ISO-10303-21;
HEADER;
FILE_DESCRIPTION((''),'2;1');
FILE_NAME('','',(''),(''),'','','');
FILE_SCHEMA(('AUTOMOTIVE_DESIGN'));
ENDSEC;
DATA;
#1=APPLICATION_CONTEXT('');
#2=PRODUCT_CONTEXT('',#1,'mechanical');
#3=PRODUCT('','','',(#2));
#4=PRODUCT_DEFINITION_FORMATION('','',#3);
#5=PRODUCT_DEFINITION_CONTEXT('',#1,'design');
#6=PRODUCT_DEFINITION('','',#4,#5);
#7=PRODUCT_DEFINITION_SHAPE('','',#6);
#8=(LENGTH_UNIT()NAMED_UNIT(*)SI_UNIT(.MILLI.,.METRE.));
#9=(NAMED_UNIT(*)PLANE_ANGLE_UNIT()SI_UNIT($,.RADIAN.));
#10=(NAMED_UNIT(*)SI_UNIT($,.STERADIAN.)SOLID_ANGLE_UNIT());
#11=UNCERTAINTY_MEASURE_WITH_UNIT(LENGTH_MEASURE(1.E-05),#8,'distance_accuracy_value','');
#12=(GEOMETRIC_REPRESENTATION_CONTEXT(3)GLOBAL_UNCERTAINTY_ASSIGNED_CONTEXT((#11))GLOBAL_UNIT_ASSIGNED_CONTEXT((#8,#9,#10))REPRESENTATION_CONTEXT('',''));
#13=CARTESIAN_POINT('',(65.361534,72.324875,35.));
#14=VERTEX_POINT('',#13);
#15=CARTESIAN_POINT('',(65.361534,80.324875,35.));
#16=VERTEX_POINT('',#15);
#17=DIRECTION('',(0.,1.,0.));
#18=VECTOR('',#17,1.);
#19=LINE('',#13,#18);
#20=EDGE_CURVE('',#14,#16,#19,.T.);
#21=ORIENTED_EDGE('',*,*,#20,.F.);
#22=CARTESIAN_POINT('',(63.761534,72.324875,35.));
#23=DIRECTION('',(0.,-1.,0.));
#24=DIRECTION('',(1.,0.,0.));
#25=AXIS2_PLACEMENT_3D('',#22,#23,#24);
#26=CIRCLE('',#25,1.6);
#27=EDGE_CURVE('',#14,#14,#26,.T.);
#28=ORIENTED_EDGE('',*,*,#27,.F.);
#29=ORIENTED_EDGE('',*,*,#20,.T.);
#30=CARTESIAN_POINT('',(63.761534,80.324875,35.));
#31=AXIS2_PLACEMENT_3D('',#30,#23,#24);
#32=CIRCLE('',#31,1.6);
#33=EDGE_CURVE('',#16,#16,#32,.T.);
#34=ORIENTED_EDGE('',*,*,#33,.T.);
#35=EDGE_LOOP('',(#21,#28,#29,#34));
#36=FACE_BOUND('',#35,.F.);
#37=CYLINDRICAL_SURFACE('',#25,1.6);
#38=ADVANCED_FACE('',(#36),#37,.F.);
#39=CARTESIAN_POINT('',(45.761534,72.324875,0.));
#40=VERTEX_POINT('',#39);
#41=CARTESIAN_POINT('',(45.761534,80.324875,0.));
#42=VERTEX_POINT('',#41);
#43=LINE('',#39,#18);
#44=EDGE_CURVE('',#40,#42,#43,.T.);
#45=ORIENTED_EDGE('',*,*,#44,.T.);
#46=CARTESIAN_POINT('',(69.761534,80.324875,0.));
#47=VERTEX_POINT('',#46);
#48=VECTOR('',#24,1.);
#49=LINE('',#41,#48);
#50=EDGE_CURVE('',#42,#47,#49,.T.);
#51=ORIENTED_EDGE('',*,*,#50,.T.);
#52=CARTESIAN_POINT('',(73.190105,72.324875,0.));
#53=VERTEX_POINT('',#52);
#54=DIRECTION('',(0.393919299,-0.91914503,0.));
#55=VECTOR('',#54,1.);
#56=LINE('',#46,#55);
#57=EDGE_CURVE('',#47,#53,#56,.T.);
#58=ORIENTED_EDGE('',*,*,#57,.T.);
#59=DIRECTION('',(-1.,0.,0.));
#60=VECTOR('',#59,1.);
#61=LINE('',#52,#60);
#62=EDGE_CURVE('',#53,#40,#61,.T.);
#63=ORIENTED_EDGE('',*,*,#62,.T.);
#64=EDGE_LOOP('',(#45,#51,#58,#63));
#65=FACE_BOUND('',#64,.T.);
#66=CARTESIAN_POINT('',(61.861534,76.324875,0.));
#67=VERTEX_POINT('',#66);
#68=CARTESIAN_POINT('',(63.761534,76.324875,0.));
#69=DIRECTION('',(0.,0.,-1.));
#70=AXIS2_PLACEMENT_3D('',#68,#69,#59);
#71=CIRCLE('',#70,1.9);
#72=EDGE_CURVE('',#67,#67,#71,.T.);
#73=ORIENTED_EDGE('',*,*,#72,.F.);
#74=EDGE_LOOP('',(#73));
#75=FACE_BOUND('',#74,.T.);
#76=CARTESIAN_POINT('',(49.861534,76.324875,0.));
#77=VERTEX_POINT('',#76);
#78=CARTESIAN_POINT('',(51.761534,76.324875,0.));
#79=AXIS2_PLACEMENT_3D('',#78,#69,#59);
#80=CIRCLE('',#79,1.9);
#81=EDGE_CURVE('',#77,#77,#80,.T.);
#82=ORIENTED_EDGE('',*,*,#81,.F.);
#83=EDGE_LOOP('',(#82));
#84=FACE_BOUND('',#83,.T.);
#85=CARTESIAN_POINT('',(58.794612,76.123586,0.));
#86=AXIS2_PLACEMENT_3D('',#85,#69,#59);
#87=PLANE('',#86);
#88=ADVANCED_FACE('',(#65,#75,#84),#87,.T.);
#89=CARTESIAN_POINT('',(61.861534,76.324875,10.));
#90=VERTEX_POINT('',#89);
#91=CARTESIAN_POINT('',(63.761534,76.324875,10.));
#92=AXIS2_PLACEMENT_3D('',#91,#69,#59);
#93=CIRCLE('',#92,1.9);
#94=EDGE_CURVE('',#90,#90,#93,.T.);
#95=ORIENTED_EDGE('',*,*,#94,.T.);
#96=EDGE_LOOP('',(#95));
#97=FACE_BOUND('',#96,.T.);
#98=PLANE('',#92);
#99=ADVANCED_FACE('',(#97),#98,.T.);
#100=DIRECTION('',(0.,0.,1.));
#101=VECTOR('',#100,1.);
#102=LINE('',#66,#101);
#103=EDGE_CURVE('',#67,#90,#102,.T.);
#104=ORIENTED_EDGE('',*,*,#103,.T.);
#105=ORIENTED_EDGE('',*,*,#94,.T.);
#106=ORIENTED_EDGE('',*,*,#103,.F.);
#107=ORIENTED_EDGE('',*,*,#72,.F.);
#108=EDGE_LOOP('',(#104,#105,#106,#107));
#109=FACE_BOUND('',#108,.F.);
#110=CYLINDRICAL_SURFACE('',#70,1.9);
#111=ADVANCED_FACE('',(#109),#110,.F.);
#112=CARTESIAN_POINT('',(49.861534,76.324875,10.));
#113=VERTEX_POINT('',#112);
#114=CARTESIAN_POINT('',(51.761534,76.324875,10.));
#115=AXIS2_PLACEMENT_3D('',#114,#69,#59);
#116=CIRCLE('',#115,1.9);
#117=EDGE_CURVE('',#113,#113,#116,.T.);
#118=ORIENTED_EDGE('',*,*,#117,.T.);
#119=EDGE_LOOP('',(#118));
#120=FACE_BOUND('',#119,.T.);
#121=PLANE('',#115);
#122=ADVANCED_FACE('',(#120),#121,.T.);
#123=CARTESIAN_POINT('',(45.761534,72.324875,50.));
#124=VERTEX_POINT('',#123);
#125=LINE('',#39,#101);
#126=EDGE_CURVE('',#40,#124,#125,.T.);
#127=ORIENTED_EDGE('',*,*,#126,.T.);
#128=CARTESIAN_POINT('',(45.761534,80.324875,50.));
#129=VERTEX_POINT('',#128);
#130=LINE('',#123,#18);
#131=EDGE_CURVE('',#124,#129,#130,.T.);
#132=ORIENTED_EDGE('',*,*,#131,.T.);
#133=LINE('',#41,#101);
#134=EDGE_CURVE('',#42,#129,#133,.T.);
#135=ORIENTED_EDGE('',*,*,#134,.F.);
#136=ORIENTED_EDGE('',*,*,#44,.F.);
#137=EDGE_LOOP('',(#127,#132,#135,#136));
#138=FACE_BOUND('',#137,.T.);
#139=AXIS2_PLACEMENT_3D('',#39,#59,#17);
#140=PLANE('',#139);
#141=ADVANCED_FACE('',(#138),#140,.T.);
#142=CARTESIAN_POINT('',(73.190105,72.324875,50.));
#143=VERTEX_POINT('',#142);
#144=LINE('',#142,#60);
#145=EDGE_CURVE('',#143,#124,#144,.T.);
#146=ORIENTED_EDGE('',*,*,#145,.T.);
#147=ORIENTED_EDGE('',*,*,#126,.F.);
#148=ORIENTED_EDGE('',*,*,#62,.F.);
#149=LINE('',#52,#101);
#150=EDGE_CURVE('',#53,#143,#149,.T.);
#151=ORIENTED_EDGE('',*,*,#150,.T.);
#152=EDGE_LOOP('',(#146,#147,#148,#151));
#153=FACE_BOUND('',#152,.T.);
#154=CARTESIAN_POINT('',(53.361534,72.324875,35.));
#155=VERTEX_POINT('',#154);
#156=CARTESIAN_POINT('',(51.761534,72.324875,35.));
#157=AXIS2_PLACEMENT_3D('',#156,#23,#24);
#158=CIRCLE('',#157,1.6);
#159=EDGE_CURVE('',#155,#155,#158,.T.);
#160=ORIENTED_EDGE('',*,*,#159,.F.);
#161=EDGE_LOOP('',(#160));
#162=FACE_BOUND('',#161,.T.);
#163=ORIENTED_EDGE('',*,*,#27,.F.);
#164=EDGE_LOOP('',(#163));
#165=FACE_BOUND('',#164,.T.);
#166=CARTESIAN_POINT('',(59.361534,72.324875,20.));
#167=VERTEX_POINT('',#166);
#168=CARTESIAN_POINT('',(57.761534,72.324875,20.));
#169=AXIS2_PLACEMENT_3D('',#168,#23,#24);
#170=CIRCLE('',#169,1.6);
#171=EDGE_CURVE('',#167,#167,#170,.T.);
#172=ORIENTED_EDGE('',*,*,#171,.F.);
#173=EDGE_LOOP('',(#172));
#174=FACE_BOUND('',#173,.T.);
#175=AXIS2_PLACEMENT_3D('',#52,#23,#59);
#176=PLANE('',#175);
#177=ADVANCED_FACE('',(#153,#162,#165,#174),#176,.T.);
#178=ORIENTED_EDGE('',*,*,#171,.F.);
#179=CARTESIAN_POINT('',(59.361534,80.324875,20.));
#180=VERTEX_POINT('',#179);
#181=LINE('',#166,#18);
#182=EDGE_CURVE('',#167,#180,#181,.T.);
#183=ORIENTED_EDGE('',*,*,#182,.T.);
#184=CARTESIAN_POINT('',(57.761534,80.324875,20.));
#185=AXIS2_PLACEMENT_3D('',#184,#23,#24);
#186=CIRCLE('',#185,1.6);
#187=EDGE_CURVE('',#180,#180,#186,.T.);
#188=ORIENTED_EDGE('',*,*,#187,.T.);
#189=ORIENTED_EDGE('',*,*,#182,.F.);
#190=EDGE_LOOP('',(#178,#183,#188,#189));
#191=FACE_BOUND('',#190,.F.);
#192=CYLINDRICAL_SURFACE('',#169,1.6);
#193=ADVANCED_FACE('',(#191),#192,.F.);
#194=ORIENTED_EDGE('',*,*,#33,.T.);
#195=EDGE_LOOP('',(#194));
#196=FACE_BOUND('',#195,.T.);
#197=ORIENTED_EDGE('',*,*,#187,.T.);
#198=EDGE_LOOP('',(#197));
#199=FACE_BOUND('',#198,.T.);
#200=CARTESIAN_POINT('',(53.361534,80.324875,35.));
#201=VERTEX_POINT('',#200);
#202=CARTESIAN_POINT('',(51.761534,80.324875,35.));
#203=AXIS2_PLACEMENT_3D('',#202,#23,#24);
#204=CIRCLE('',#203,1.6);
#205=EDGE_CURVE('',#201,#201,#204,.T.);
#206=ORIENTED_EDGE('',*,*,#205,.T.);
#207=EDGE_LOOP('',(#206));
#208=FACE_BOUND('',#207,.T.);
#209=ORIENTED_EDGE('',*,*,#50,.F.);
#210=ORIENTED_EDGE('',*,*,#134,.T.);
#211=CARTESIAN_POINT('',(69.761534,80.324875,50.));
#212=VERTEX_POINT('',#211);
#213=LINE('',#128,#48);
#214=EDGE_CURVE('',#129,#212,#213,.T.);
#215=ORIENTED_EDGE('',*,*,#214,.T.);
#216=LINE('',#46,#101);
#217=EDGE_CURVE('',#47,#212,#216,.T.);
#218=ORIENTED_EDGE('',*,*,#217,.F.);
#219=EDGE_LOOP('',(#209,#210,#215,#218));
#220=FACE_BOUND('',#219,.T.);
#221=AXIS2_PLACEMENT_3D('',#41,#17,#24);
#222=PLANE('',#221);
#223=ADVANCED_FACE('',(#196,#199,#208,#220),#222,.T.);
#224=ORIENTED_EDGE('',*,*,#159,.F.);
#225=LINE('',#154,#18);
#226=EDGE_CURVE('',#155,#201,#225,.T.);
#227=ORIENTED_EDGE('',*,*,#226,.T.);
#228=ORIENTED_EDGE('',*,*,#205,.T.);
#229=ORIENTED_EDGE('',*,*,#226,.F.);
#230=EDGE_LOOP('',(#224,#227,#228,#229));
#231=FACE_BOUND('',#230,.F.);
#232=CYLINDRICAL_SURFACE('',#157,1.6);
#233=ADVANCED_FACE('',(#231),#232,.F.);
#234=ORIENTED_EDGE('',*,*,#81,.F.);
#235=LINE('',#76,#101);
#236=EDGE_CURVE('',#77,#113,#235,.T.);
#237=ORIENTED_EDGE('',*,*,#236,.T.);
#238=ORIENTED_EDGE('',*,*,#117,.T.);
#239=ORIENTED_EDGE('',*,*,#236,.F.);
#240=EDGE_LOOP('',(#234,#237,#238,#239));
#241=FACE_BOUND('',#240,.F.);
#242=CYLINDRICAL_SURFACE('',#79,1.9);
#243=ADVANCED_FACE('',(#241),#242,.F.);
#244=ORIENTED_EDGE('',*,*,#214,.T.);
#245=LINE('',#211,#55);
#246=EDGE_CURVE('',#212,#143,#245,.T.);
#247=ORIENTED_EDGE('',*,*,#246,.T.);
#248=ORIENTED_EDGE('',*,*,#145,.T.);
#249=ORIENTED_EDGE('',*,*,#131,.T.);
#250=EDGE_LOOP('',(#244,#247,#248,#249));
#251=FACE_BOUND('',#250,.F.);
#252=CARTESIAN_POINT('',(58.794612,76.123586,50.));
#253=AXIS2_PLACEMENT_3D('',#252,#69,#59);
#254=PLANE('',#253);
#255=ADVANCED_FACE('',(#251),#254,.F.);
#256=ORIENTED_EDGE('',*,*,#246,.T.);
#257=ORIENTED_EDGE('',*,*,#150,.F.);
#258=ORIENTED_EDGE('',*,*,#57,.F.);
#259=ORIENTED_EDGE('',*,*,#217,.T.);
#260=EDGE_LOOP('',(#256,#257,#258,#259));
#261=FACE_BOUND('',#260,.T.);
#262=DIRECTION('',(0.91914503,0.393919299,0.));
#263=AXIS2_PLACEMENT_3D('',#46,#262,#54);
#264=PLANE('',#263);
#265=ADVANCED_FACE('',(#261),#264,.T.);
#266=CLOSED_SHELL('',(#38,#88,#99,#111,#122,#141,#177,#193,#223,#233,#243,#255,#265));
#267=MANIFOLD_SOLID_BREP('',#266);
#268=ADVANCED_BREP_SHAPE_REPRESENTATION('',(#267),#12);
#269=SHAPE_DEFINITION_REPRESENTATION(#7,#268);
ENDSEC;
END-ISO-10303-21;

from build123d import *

# Parameters (mm, degrees)
SALIENTE_EXTRUIR1_DEPTH = 50
CORTAR_EXTRUIR1_REACH   = 10
CROQUIS3_R              = 1.6
CROQUIS6_R              = 1.9
CORTAR_EXTRUIR3_DEPTH   = 10


with BuildPart() as part:
    # Croquis1 → Saliente-Extruir1 (new body)
    with BuildSketch(Plane.XY):
        Polygon((45.761533754, 80.324875029), (69.761533754, 80.324875029), (73.190105182, 72.324875029), (45.761533754, 72.324875029), align=None)
    extrude(amount=SALIENTE_EXTRUIR1_DEPTH)

    # Croquis3 → Cortar-Extruir1 (cut, up to next)
    with BuildSketch(Plane.XZ.offset(-72.324875029), mode=Mode.PRIVATE) as cortar_extruir1_sk1:
        with Locations((63.761533754, 35)):
            Circle(CROQUIS3_R)
    cortar_extruir1_tool1 = extrude(cortar_extruir1_sk1.sketch, amount=-CORTAR_EXTRUIR1_REACH, mode=Mode.PRIVATE) & part.part
    add(cortar_extruir1_tool1.solids().sort_by_distance((63.761534, 72.324875, 35))[0], mode=Mode.SUBTRACT)
    # Croquis3 → Cortar-Extruir1 (cut, up to next)
    with BuildSketch(Plane.XZ.offset(-72.324875029), mode=Mode.PRIVATE) as cortar_extruir1_sk2:
        with Locations((57.761533754, 20)):
            Circle(CROQUIS3_R)
    cortar_extruir1_tool2 = extrude(cortar_extruir1_sk2.sketch, amount=-CORTAR_EXTRUIR1_REACH, mode=Mode.PRIVATE) & part.part
    add(cortar_extruir1_tool2.solids().sort_by_distance((57.761534, 72.324875, 20))[0], mode=Mode.SUBTRACT)
    # Croquis3 → Cortar-Extruir1 (cut, up to next)
    with BuildSketch(Plane.XZ.offset(-72.324875029), mode=Mode.PRIVATE) as cortar_extruir1_sk3:
        with Locations((51.761533754, 35)):
            Circle(CROQUIS3_R)
    cortar_extruir1_tool3 = extrude(cortar_extruir1_sk3.sketch, amount=-CORTAR_EXTRUIR1_REACH, mode=Mode.PRIVATE) & part.part
    add(cortar_extruir1_tool3.solids().sort_by_distance((51.761534, 72.324875, 35))[0], mode=Mode.SUBTRACT)

    # Croquis6 → Cortar-Extruir3 (cut)
    with BuildSketch(Plane(origin=(0, 0, 0), x_dir=(-1, 0, 0), z_dir=(0, 0, -1))):
        with Locations((-63.761533754, 76.324875029)):
            Circle(CROQUIS6_R)
        with Locations((-51.761533754, 76.324875029)):
            Circle(CROQUIS6_R)
    extrude(amount=-CORTAR_EXTRUIR3_DEPTH, mode=Mode.SUBTRACT)


solid = part.part
